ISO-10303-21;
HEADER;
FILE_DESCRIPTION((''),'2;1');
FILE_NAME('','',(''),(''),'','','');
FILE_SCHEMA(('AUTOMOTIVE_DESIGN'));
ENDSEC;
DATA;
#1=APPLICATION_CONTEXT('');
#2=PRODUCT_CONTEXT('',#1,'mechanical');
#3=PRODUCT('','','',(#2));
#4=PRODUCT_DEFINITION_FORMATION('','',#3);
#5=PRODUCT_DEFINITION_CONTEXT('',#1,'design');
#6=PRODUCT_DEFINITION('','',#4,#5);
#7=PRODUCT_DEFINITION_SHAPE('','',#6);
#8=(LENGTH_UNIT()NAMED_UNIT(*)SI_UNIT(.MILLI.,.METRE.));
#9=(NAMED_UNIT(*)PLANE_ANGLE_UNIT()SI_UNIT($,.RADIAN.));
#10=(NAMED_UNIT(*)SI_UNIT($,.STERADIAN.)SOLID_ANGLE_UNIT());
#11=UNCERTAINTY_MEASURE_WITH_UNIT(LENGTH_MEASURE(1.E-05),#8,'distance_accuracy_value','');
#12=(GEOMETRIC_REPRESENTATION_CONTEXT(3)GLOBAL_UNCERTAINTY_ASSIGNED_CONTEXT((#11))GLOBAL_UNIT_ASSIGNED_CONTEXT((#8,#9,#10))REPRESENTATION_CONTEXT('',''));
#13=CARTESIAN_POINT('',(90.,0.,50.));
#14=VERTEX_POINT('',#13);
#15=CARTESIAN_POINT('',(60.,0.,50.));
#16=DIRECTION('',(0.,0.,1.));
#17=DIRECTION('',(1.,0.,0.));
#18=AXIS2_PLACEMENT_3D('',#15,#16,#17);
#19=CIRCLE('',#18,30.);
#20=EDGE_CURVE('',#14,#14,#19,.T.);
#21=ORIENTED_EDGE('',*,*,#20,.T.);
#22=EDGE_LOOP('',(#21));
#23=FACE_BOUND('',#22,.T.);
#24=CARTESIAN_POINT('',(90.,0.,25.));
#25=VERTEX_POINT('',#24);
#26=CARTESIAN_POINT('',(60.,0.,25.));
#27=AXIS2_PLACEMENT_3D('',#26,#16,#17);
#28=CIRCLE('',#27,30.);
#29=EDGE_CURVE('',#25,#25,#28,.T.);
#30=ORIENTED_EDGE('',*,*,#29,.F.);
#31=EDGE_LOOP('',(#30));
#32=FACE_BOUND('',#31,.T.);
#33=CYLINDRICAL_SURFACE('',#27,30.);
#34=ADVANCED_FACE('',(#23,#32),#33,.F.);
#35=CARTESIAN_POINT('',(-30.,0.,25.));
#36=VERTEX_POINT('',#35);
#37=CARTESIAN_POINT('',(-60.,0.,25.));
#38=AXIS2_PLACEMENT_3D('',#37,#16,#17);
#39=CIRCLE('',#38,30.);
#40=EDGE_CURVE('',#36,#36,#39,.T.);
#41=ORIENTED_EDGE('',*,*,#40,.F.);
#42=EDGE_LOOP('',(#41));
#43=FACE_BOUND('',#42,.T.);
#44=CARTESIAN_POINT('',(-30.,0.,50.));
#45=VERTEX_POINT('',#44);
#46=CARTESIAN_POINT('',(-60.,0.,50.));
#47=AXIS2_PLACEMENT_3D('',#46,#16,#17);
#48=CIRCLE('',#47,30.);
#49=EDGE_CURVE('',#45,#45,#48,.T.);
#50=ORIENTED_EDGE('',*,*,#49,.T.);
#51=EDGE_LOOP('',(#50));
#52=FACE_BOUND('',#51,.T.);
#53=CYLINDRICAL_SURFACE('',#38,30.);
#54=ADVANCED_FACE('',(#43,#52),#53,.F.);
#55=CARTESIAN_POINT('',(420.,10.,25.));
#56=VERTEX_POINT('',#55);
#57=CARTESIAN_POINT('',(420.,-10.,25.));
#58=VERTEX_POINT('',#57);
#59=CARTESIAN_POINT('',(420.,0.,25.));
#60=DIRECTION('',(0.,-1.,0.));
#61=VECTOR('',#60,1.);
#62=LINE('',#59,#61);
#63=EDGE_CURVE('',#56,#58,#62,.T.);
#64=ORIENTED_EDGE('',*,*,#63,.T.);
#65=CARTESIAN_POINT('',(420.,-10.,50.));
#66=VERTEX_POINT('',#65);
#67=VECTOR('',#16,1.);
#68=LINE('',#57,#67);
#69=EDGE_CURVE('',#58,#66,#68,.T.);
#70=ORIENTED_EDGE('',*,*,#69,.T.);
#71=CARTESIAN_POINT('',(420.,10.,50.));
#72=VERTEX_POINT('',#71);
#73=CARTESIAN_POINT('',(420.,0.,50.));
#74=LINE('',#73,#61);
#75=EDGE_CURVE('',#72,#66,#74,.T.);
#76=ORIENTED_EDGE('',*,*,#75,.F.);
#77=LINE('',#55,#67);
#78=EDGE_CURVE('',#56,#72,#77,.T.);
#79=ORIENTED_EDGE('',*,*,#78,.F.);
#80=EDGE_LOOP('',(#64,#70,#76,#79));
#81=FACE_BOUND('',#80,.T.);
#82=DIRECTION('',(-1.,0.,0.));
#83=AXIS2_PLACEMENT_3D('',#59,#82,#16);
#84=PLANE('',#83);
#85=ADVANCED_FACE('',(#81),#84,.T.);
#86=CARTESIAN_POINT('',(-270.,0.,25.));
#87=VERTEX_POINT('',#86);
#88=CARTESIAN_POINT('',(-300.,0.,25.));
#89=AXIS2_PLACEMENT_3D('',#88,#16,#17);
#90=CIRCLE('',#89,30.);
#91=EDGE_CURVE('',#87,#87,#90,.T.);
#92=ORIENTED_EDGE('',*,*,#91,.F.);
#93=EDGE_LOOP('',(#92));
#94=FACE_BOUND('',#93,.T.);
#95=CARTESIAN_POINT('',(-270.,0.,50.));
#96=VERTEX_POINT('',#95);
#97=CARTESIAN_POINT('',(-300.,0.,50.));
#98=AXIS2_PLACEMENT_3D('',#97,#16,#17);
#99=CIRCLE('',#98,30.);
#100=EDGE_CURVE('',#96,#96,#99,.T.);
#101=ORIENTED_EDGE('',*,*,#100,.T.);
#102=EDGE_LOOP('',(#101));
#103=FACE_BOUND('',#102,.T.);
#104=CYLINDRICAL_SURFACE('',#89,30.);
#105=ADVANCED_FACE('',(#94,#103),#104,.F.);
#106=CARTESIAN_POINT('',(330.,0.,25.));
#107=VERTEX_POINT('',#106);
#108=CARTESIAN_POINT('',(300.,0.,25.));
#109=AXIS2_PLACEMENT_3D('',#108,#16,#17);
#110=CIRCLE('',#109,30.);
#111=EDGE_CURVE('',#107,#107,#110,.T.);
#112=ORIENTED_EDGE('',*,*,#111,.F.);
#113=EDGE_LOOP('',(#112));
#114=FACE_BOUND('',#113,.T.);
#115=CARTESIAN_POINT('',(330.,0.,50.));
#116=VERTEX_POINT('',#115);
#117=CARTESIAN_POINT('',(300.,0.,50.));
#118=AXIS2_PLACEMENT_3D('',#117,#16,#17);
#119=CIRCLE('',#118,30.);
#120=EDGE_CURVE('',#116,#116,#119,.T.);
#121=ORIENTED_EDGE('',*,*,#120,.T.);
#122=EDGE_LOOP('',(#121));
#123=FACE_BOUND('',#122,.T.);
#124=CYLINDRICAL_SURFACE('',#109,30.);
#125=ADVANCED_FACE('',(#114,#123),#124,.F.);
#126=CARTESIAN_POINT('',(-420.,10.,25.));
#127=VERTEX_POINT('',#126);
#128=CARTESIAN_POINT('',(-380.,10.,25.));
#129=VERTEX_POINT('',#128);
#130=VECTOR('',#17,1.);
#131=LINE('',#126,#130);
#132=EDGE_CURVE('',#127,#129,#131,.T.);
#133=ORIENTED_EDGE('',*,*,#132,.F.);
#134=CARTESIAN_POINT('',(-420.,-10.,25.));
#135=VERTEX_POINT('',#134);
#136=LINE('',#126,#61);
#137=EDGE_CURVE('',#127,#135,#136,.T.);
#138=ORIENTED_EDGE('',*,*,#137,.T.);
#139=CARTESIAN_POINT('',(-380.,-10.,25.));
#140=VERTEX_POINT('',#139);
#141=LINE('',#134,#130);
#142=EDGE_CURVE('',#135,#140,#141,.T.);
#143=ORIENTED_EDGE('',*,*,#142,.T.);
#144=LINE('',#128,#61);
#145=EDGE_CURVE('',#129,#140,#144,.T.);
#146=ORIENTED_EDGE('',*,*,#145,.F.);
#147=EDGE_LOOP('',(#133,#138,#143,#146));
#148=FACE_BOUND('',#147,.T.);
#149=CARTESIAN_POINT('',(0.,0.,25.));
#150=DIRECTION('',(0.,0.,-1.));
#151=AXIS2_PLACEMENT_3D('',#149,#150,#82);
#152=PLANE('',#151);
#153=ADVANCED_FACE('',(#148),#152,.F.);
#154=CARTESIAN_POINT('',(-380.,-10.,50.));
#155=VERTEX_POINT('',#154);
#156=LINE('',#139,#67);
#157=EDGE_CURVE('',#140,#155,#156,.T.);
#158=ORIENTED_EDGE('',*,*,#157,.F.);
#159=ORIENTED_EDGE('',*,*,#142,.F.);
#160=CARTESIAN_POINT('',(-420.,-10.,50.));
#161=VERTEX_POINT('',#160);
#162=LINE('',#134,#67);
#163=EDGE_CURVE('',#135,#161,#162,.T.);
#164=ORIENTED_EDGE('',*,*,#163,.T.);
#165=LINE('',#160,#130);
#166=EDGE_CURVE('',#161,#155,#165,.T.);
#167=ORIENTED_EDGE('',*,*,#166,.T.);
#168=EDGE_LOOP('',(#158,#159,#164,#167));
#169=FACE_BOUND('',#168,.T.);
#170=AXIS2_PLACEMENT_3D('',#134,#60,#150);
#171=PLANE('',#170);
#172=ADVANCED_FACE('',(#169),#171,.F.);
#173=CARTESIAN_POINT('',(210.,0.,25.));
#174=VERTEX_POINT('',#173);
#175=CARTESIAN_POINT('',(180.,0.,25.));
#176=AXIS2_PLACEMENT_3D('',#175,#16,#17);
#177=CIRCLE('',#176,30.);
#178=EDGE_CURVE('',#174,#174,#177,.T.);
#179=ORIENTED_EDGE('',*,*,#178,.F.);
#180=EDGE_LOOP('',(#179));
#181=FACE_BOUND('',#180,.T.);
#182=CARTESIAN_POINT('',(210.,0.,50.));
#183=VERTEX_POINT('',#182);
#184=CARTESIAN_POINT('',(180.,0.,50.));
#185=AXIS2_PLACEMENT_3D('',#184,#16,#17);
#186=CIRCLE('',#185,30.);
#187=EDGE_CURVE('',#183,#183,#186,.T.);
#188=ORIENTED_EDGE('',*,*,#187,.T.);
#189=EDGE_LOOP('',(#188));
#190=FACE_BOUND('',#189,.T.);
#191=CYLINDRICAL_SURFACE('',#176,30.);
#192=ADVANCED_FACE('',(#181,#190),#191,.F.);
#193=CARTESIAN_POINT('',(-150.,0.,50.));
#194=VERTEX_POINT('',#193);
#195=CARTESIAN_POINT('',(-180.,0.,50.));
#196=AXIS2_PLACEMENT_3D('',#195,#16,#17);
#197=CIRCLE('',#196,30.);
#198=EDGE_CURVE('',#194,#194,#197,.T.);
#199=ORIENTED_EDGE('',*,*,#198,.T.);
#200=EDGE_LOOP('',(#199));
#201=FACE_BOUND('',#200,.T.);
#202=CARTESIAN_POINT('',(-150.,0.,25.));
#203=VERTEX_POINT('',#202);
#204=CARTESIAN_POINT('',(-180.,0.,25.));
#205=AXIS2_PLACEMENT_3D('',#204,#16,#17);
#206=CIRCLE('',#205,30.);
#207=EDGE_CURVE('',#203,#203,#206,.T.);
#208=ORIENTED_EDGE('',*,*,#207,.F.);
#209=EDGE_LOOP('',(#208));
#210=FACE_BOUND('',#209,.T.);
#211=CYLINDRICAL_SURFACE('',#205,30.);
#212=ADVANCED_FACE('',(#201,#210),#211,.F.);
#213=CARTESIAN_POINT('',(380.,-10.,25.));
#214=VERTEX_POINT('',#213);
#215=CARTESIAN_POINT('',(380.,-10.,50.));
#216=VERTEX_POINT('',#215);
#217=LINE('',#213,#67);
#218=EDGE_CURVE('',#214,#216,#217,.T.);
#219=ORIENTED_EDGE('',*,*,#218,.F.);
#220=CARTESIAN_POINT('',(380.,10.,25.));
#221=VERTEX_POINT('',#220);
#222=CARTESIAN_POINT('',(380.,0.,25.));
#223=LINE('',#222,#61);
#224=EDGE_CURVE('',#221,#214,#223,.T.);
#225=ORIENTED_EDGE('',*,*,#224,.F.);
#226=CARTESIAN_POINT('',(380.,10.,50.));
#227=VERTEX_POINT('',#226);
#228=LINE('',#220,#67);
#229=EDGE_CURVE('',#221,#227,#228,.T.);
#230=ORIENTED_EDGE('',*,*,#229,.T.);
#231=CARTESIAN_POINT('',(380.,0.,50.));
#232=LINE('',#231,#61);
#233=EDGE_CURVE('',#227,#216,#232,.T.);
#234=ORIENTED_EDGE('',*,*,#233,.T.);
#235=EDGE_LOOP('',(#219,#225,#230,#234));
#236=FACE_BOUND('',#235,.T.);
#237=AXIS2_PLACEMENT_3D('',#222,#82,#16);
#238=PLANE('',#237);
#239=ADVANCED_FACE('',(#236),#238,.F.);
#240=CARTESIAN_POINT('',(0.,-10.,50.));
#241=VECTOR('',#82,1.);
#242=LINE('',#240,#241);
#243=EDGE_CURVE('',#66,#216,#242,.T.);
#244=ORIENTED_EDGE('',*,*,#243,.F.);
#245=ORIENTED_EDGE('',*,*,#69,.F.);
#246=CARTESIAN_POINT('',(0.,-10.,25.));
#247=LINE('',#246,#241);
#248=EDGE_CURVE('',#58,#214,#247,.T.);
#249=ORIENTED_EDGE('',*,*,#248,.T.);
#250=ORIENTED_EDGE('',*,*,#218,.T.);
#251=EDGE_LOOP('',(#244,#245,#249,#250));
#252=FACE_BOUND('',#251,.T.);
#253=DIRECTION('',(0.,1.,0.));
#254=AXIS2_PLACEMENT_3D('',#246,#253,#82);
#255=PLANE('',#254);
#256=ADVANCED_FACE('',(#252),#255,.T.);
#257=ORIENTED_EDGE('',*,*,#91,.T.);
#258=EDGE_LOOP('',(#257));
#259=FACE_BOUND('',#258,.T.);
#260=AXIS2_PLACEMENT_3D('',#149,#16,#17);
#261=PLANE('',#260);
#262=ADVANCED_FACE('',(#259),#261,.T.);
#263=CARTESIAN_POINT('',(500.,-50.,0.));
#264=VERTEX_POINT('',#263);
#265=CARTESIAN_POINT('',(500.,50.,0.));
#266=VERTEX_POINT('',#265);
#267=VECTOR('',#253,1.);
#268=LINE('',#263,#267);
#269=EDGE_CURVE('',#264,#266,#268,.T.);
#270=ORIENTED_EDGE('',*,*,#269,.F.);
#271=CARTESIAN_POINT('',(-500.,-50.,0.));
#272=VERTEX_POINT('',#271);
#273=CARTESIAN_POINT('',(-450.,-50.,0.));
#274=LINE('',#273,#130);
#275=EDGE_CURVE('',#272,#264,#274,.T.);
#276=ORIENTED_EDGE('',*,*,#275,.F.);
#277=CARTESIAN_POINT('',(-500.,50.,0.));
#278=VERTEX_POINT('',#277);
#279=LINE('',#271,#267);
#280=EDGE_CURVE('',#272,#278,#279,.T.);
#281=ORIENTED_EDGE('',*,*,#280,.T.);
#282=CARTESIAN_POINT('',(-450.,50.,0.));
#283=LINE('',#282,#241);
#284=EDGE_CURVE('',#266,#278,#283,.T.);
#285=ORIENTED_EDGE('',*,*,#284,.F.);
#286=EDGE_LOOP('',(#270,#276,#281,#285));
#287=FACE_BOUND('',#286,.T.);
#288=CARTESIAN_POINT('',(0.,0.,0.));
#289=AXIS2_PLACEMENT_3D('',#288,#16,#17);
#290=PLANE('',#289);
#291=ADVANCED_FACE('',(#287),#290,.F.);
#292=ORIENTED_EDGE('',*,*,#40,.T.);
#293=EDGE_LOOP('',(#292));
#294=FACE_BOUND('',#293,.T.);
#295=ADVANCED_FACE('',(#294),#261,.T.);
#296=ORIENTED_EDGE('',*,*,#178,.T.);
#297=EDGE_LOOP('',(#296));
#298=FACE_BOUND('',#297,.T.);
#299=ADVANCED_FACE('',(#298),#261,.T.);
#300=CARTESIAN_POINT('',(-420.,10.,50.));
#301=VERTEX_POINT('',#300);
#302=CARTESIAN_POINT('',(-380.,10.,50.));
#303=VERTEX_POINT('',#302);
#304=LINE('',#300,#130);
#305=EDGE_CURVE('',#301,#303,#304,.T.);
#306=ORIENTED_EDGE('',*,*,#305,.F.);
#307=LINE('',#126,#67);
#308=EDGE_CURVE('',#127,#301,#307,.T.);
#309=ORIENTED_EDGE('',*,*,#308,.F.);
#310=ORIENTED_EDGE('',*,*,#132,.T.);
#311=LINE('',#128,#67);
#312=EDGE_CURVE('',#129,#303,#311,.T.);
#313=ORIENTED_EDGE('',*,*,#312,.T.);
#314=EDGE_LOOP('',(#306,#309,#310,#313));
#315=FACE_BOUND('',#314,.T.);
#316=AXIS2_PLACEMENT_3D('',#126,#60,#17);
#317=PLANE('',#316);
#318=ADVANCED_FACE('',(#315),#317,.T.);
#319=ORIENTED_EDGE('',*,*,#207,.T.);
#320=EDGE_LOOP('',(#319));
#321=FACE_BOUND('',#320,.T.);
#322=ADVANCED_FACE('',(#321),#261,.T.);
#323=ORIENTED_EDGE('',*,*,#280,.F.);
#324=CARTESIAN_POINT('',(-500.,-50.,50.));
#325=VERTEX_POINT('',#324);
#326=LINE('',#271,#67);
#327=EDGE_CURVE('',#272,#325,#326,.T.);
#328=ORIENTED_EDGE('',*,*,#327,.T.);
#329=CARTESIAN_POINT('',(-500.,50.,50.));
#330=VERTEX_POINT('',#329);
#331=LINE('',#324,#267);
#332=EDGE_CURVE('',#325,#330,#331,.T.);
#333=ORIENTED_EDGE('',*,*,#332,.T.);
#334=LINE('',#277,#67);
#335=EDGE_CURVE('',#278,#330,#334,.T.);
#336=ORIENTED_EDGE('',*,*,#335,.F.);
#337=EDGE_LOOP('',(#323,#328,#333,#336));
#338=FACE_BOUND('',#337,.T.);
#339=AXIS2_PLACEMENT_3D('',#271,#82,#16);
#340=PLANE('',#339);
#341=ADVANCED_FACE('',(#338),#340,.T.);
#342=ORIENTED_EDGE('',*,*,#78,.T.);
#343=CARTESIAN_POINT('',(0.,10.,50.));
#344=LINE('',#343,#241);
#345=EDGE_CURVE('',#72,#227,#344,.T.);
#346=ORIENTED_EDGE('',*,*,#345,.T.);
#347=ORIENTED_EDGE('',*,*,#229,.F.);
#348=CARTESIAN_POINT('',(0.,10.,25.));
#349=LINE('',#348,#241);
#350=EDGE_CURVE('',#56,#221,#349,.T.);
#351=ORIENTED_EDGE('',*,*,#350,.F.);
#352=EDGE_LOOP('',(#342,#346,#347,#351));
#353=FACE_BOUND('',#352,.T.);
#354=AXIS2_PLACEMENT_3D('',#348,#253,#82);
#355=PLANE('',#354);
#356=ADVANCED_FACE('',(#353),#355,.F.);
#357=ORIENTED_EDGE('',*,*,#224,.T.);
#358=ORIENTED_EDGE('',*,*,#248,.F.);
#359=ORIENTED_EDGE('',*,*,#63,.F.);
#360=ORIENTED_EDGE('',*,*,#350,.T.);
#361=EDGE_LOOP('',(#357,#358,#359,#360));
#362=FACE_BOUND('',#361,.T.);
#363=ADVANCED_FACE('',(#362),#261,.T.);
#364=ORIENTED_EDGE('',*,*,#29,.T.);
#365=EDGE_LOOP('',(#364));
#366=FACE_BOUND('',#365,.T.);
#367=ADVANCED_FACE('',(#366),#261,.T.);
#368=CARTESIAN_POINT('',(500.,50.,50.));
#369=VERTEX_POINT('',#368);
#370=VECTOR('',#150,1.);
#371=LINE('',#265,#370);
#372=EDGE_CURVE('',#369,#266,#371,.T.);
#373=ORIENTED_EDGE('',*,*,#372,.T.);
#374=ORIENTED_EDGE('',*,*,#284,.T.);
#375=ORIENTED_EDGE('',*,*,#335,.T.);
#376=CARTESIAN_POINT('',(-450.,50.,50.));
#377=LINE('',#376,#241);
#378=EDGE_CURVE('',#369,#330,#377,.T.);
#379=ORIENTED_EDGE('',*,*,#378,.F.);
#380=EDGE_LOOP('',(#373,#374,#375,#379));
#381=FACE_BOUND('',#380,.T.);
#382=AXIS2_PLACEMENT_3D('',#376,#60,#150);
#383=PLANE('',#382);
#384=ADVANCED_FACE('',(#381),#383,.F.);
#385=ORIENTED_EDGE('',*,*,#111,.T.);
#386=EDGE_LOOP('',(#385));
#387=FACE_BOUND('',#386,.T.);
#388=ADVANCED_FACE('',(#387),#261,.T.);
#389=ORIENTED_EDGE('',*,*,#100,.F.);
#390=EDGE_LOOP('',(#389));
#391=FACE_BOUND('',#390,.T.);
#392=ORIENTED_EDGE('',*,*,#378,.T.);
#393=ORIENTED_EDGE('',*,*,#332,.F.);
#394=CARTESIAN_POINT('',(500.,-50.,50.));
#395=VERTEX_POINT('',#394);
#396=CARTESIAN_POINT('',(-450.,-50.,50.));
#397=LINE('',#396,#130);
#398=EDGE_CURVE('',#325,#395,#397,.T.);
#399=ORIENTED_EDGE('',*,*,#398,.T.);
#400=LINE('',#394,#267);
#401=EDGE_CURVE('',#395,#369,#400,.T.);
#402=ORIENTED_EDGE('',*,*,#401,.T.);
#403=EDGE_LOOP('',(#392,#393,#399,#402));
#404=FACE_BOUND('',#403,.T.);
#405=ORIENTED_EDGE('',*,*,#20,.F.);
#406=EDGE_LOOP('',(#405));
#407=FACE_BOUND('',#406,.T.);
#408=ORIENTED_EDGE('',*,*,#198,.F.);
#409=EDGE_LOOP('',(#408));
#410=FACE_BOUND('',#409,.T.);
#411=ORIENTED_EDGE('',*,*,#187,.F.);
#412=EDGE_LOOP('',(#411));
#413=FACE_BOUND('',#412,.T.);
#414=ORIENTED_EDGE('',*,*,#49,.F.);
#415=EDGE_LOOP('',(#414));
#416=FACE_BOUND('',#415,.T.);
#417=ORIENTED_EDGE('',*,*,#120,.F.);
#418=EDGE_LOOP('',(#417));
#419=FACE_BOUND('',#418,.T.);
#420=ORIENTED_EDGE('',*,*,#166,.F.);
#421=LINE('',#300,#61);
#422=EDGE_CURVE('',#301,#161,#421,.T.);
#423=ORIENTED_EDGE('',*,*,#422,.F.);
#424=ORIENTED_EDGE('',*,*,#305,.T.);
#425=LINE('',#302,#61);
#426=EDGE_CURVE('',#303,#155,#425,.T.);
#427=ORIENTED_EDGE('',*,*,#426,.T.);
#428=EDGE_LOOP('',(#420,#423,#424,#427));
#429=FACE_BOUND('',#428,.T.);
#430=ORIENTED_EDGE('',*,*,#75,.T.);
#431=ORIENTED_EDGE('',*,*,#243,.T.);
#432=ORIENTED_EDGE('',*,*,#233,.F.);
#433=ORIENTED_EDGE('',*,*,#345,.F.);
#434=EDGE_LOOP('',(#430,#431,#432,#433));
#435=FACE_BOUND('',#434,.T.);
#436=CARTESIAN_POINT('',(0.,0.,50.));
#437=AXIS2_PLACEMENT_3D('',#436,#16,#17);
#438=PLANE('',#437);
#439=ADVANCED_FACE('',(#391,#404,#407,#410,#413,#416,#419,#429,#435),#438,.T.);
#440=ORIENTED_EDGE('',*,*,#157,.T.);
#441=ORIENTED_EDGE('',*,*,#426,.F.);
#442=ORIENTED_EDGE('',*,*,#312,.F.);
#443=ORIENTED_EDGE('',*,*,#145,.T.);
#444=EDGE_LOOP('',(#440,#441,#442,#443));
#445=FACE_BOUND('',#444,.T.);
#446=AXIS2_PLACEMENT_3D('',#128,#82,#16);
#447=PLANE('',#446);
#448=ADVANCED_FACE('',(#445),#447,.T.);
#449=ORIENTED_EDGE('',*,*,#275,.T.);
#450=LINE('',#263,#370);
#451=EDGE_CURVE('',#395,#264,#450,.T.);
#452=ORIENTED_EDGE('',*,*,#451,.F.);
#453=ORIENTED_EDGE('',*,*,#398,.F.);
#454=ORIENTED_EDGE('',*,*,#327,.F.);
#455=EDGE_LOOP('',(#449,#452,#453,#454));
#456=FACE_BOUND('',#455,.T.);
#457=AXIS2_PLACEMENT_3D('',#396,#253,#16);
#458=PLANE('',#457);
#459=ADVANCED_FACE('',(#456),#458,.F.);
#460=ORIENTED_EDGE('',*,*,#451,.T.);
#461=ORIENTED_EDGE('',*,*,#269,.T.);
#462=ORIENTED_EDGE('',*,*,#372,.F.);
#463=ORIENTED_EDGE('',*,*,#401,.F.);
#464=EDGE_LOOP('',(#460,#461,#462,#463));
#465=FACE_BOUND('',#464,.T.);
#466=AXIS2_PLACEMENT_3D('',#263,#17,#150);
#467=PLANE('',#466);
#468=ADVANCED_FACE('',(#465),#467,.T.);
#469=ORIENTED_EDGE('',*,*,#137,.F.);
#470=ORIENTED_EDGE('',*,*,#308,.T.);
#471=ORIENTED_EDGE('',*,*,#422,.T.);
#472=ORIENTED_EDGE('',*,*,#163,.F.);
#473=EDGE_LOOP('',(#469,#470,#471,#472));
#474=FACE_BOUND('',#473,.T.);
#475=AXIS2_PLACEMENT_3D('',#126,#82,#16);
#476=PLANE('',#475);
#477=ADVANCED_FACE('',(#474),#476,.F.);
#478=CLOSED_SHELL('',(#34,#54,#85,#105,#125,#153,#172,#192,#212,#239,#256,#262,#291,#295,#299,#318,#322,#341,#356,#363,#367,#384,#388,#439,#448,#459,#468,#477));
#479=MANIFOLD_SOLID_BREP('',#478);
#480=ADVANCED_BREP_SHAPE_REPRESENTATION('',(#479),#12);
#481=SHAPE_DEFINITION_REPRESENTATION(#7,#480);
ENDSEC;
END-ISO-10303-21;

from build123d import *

# Parameters (mm, degrees)
SKETCH1_W           = 900
SKETCH1_H           = 100
BOSS_EXTRUDE1_DEPTH = 50
SKETCH2_R           = 30
SKETCH2_W           = 40
SKETCH2_H           = 20
CUT_EXTRUDE1_DEPTH  = 25
SKETCH3_W           = 50
SKETCH3_H           = 50
BOSS_EXTRUDE3_DEPTH = 100


with BuildPart() as part:
    # Sketch1 → Boss-Extrude1 (new body)
    with BuildSketch(Plane.XY):
        Rectangle(SKETCH1_W, SKETCH1_H)
    extrude(amount=BOSS_EXTRUDE1_DEPTH)

    # Sketch2 → Cut-Extrude1 (cut)
    with BuildSketch(Plane.XY.offset(50)):
        with Locations((-300, 0)):
            Circle(SKETCH2_R)
        with Locations((-180, 0)):
            Circle(SKETCH2_R)
        with Locations((-60, 0)):
            Circle(SKETCH2_R)
        with Locations((60, 0)):
            Circle(SKETCH2_R)
        with Locations((180, 0)):
            Circle(SKETCH2_R)
        with Locations((300, 0)):
            Circle(SKETCH2_R)
        with Locations((400, 0)):
            Rectangle(SKETCH2_W, SKETCH2_H)
        with Locations((-400, 0)):
            Rectangle(SKETCH2_W, SKETCH2_H)
    extrude(amount=-CUT_EXTRUDE1_DEPTH, mode=Mode.SUBTRACT)

    # Sketch3 → Boss-Extrude3 (add)
    with BuildSketch(Plane(origin=(0, 50, 0), x_dir=(1, 0, 0), z_dir=(0, 1, 0))):
        with Locations((475, -25)):
            Rectangle(SKETCH3_W, SKETCH3_H)
        with Locations((-475, -25)):
            Rectangle(SKETCH3_W, SKETCH3_H)
    extrude(amount=-BOSS_EXTRUDE3_DEPTH)


solid = part.part
